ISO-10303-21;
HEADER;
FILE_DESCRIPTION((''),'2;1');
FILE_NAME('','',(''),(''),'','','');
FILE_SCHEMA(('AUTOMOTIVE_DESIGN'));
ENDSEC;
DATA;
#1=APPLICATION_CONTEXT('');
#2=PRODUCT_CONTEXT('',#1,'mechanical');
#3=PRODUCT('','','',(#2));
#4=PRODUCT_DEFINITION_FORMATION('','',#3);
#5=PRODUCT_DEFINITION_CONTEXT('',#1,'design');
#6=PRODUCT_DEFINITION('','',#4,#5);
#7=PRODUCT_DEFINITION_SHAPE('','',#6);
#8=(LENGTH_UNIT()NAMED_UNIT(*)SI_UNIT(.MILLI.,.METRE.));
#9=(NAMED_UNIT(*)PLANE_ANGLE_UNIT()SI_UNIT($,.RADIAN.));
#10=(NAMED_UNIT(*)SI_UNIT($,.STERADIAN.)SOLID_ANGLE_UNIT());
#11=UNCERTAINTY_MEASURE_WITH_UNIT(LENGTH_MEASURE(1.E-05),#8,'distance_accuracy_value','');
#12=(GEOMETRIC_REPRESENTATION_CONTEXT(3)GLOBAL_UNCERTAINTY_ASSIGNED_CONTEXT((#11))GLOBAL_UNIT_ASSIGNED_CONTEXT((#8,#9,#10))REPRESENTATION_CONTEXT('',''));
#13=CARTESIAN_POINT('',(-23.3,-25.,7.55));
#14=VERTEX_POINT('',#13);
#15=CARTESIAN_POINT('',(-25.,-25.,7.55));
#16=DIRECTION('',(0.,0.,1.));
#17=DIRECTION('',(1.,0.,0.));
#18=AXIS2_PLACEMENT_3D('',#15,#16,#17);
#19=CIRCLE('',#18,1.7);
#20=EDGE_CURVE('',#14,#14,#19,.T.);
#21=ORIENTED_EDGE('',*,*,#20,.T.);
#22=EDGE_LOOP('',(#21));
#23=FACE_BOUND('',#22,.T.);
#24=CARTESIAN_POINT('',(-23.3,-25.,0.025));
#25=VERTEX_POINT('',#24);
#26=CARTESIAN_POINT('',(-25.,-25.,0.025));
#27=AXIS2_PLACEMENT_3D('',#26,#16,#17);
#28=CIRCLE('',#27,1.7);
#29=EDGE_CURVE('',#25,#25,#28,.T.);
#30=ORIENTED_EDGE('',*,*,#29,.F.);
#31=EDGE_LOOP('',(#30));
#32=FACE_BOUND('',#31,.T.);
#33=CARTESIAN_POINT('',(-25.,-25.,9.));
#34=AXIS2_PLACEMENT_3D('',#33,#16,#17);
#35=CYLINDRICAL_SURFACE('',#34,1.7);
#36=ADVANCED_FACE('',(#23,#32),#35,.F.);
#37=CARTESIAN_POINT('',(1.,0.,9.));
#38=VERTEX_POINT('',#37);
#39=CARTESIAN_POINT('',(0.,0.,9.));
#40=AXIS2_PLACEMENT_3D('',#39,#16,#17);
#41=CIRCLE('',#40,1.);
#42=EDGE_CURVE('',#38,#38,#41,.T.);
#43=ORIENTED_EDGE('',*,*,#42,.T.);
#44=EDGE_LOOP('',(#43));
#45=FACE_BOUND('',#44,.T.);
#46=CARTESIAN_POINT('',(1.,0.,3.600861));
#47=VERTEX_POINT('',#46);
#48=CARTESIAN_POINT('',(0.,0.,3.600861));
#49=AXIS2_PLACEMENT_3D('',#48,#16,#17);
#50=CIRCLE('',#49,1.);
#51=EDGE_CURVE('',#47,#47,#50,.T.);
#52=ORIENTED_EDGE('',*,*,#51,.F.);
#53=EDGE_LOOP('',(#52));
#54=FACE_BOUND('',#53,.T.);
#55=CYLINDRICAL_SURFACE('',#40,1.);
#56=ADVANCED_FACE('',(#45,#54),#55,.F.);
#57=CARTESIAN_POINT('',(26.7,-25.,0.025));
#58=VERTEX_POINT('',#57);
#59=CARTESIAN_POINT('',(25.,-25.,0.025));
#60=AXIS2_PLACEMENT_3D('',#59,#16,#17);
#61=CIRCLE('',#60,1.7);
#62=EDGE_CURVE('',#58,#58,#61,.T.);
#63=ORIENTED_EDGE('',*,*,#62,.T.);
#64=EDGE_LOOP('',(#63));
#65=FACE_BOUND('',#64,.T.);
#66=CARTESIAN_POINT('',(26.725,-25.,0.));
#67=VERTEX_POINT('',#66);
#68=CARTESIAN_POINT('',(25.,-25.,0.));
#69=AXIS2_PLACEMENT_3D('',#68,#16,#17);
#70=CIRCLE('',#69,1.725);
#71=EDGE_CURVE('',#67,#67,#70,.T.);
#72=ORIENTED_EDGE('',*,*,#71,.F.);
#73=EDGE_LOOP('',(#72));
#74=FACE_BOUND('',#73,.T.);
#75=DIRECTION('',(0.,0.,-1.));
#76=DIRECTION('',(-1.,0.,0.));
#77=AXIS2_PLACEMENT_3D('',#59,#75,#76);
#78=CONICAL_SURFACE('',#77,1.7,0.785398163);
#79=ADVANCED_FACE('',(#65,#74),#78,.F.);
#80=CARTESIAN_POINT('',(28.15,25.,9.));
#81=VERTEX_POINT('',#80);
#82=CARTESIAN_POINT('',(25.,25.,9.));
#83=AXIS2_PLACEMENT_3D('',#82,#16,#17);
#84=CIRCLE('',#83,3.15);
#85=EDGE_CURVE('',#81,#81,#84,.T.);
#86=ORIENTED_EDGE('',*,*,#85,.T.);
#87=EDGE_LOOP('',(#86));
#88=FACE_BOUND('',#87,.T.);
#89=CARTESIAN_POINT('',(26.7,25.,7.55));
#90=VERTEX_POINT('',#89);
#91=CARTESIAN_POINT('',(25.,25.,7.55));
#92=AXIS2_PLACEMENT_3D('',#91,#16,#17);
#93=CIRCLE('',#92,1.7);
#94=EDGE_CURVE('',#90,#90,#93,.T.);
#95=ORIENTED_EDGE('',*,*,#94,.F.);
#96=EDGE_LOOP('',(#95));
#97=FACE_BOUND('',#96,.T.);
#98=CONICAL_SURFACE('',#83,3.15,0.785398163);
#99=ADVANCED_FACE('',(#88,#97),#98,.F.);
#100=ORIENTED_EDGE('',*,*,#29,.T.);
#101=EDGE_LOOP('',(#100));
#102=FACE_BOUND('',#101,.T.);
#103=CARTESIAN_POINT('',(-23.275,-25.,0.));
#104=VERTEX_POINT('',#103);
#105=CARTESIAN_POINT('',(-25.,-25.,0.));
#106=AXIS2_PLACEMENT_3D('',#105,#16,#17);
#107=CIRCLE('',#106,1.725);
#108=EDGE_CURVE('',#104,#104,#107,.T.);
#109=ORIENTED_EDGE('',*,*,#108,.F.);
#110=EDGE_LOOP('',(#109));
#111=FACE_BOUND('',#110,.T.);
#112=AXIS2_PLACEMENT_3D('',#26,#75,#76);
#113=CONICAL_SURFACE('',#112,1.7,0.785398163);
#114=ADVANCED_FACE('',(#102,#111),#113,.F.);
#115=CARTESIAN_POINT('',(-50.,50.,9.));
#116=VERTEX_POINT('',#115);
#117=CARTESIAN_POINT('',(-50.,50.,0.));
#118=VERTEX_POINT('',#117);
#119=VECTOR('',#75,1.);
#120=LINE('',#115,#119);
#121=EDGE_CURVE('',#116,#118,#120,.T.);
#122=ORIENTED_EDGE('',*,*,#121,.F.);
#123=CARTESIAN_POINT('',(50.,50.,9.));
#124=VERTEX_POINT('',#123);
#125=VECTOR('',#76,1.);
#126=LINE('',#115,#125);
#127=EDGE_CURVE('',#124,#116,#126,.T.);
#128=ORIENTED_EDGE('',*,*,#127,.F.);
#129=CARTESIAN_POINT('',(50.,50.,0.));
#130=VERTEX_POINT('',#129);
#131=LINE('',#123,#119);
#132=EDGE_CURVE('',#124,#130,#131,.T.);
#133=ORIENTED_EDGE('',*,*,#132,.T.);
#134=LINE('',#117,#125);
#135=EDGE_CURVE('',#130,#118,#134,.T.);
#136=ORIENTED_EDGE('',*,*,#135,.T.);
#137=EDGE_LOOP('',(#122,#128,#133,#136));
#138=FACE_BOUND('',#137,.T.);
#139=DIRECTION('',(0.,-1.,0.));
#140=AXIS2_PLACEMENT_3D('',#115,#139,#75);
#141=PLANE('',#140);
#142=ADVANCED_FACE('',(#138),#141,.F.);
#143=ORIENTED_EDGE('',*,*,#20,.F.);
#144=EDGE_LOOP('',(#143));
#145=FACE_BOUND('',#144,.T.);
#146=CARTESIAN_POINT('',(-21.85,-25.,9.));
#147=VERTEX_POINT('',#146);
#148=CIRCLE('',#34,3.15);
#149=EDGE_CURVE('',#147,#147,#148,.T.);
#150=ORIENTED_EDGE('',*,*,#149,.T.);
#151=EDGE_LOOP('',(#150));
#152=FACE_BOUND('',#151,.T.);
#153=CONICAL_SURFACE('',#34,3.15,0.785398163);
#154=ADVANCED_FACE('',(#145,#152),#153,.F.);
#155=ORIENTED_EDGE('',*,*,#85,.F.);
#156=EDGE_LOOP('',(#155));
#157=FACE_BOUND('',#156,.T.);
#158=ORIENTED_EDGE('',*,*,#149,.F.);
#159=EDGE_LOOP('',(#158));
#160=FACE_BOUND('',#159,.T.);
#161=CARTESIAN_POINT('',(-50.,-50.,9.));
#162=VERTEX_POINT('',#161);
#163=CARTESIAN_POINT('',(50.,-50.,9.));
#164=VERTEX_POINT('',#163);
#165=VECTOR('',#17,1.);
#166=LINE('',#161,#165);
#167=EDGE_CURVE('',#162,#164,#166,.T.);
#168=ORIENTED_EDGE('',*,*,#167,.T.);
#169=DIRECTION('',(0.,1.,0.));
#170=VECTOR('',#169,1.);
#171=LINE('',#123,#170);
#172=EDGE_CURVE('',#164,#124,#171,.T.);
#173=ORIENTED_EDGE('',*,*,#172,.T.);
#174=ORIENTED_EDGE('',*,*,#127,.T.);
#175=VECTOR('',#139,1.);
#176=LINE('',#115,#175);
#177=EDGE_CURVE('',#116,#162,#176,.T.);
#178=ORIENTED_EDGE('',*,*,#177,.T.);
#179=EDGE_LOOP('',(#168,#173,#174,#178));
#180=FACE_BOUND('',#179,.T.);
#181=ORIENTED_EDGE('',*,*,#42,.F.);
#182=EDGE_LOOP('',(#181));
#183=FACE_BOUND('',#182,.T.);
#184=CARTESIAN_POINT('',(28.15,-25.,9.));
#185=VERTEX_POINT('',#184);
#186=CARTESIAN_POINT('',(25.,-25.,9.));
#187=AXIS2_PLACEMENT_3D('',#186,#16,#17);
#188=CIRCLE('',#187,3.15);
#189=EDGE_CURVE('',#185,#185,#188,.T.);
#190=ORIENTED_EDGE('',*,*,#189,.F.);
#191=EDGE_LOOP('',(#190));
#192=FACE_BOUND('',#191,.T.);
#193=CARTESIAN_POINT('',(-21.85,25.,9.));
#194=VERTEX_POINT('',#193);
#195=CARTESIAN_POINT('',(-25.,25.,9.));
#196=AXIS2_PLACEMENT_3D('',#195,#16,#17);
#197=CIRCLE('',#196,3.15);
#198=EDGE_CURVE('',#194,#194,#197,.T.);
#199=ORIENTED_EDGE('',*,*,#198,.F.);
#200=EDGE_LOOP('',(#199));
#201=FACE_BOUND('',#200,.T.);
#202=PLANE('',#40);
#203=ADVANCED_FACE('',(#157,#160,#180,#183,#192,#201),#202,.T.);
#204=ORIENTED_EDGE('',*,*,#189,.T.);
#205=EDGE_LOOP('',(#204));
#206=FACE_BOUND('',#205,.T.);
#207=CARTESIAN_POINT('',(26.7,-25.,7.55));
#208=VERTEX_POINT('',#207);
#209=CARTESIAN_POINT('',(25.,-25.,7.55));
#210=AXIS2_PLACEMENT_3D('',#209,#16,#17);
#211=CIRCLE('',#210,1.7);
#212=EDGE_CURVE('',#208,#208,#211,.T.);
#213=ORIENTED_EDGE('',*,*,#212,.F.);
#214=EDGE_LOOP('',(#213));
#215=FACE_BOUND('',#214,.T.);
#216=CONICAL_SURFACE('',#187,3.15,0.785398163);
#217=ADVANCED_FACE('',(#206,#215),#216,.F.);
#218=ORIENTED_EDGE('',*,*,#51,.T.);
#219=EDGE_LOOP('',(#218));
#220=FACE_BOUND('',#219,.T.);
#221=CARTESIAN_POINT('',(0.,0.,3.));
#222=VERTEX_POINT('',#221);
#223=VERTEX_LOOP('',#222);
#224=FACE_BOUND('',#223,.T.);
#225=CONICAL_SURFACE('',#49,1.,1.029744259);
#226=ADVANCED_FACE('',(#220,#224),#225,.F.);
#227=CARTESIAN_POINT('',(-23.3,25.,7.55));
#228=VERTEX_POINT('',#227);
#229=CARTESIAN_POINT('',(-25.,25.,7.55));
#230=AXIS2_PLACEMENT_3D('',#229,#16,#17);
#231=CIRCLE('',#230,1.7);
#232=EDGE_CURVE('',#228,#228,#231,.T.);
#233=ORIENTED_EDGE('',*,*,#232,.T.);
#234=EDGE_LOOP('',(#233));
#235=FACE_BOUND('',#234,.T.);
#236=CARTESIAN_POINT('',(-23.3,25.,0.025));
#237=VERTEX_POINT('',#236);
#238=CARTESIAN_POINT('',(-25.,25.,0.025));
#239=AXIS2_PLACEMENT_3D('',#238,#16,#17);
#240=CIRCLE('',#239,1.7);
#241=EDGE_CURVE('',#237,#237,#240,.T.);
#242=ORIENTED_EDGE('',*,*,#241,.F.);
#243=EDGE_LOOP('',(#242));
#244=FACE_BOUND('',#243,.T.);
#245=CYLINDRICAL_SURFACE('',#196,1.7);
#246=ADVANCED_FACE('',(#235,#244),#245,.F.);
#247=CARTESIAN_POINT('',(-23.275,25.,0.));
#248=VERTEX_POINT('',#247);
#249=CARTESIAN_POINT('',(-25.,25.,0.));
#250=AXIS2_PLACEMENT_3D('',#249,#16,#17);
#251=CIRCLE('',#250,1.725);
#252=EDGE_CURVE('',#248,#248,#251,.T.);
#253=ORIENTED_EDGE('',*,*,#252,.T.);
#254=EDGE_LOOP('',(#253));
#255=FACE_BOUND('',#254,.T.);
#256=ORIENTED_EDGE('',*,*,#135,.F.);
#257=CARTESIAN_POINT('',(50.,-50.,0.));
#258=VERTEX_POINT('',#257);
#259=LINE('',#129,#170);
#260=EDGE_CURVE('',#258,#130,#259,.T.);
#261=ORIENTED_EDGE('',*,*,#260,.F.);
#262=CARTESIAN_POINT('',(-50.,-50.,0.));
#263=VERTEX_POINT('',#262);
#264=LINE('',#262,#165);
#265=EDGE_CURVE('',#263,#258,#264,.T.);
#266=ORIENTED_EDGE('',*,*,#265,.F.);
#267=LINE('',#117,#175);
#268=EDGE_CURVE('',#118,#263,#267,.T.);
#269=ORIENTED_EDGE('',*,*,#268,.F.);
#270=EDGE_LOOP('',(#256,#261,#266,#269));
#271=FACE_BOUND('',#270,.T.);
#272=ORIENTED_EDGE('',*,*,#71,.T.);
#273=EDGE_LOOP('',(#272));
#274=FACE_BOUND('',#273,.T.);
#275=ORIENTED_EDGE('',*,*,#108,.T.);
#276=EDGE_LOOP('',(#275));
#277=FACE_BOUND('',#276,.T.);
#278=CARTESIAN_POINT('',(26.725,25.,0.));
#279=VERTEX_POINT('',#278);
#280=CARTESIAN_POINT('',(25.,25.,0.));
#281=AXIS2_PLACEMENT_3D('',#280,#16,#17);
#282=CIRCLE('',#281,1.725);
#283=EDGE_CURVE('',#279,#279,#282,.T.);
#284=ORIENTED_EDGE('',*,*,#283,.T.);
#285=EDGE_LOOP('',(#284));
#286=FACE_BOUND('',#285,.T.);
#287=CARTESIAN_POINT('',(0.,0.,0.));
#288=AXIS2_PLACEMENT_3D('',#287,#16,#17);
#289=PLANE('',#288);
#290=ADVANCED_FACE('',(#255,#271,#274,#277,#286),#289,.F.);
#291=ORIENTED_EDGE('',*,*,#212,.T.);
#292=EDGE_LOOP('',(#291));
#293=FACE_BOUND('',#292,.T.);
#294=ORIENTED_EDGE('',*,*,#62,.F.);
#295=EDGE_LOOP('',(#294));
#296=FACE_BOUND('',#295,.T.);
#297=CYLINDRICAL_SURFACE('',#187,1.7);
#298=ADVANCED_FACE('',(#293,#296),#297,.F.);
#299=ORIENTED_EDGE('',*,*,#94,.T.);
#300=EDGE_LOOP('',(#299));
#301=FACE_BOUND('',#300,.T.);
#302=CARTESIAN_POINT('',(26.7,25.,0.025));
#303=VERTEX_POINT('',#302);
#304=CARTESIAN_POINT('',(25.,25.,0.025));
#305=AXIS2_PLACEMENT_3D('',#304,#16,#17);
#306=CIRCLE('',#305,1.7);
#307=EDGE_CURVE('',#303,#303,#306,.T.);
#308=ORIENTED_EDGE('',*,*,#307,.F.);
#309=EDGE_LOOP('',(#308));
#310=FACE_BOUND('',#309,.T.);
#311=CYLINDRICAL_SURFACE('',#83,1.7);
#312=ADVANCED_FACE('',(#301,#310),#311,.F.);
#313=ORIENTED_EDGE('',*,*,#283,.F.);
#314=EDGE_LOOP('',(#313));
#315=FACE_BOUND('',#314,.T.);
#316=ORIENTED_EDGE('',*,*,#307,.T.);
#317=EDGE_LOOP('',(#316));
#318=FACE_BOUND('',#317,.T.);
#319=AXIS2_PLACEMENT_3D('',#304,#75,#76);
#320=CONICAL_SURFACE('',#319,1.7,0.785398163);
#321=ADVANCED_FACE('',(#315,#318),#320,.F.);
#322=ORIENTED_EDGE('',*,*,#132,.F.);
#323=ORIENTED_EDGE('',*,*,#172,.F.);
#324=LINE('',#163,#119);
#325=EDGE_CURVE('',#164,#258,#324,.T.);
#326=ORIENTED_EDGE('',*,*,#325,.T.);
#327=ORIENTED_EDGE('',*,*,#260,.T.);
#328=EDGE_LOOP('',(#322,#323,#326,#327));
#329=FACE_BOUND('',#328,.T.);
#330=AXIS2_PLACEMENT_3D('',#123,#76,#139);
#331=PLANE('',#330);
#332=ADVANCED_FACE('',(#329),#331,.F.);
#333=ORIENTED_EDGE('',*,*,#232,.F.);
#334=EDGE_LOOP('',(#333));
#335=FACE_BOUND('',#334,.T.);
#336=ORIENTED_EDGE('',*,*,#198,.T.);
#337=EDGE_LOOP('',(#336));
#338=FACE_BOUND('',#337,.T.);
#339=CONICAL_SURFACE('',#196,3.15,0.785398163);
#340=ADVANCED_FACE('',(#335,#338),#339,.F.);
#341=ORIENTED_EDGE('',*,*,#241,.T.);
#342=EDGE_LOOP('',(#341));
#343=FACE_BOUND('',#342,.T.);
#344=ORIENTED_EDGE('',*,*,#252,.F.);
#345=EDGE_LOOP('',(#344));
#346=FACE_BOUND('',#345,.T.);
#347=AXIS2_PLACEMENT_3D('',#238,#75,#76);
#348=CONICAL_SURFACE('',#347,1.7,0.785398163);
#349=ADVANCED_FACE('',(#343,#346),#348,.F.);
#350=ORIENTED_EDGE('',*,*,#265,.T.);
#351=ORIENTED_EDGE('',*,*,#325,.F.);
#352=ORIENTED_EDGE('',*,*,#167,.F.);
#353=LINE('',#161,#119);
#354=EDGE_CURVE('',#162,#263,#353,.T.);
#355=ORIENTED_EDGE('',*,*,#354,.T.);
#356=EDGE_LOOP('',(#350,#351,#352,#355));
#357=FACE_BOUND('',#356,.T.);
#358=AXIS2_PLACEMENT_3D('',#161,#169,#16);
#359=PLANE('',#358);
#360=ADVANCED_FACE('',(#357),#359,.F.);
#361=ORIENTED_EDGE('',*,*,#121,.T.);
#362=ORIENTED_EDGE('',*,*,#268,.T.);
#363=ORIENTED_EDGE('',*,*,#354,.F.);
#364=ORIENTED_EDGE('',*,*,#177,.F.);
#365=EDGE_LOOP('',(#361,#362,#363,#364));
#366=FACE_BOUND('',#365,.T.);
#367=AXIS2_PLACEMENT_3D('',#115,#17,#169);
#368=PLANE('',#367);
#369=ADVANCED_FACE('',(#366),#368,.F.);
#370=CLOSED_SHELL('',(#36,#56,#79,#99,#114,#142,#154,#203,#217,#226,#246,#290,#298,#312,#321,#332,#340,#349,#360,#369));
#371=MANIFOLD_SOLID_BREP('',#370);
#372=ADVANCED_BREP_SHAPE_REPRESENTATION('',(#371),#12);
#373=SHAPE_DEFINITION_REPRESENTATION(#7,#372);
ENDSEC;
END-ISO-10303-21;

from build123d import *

# Parameters (mm, degrees)
SKETCH_1_W                  = 100
SKETCH_1_H                  = 100
EXTRUDE_1_DEPTH             = 9
HOLE_WIZARD_M3_1_AT_2_COUNT = 2
HOLE_WIZARD_M3_1_AT_2_PITCH = 50
HOLE_WIZARD_M3_1_AT_3_COUNT = 2
HOLE_WIZARD_M3_1_AT_3_PITCH = 70.710678119
HOLE_WIZARD_M3_1_AT_4_COUNT = 2
HOLE_WIZARD_M3_1_AT_4_PITCH = 50


with BuildPart() as part:
    # 草圖1 → 填料-伸長1 (new body)
    with BuildSketch(Plane.XY):
        Rectangle(SKETCH_1_W, SKETCH_1_H)
    extrude(amount=EXTRUDE_1_DEPTH)

    # 草圖4 → M3 平頭機械螺釘的錐孔1 (revolve, cut)
    with BuildSketch(Plane(origin=(-25, 25, 9), x_dir=(0, -1, 0), z_dir=(1, 0, 0))):
        Polygon((0, 0), (0, 9), (1.725, 9), (1.7, 8.975), (1.7, 1.45), (3.15, 0), align=None)
    hole_wizard_m3_1 = revolve(axis=Axis((-25, 25, 15.35), (0, 0, -1)), mode=Mode.SUBTRACT)

    # M3 平頭機械螺釘的錐孔1 at 2: M3 平頭機械螺釘的錐孔1 ×2
    with Locations(*[(i * HOLE_WIZARD_M3_1_AT_2_PITCH, 0, 0) for i in range(1, HOLE_WIZARD_M3_1_AT_2_COUNT)]):
        add(hole_wizard_m3_1, mode=Mode.SUBTRACT)

    # M3 平頭機械螺釘的錐孔1 at 3: M3 平頭機械螺釘的錐孔1 ×2
    with Locations(*[Vector(0.7071067811865476, -0.7071067811865475, 0) * (i * HOLE_WIZARD_M3_1_AT_3_PITCH) for i in range(1, HOLE_WIZARD_M3_1_AT_3_COUNT)]):
        add(hole_wizard_m3_1, mode=Mode.SUBTRACT)

    # M3 平頭機械螺釘的錐孔1 at 4: M3 平頭機械螺釘的錐孔1 ×2
    with Locations(*[(0, -i * HOLE_WIZARD_M3_1_AT_4_PITCH, 0) for i in range(1, HOLE_WIZARD_M3_1_AT_4_COUNT)]):
        add(hole_wizard_m3_1, mode=Mode.SUBTRACT)

    # 草圖8 → Ø2.0mm 定位孔2 (revolve, cut)
    with BuildSketch(Plane(origin=(0, 0, 9), x_dir=(0, -1, 0), z_dir=(1, 0, 0))):
        Polygon((0, 0), (0, 6), (1, 5.399139381), (1, 0), align=None)
    revolve(axis=Axis((0, 0, 15.35), (0, 0, -1)), mode=Mode.SUBTRACT)


solid = part.part
